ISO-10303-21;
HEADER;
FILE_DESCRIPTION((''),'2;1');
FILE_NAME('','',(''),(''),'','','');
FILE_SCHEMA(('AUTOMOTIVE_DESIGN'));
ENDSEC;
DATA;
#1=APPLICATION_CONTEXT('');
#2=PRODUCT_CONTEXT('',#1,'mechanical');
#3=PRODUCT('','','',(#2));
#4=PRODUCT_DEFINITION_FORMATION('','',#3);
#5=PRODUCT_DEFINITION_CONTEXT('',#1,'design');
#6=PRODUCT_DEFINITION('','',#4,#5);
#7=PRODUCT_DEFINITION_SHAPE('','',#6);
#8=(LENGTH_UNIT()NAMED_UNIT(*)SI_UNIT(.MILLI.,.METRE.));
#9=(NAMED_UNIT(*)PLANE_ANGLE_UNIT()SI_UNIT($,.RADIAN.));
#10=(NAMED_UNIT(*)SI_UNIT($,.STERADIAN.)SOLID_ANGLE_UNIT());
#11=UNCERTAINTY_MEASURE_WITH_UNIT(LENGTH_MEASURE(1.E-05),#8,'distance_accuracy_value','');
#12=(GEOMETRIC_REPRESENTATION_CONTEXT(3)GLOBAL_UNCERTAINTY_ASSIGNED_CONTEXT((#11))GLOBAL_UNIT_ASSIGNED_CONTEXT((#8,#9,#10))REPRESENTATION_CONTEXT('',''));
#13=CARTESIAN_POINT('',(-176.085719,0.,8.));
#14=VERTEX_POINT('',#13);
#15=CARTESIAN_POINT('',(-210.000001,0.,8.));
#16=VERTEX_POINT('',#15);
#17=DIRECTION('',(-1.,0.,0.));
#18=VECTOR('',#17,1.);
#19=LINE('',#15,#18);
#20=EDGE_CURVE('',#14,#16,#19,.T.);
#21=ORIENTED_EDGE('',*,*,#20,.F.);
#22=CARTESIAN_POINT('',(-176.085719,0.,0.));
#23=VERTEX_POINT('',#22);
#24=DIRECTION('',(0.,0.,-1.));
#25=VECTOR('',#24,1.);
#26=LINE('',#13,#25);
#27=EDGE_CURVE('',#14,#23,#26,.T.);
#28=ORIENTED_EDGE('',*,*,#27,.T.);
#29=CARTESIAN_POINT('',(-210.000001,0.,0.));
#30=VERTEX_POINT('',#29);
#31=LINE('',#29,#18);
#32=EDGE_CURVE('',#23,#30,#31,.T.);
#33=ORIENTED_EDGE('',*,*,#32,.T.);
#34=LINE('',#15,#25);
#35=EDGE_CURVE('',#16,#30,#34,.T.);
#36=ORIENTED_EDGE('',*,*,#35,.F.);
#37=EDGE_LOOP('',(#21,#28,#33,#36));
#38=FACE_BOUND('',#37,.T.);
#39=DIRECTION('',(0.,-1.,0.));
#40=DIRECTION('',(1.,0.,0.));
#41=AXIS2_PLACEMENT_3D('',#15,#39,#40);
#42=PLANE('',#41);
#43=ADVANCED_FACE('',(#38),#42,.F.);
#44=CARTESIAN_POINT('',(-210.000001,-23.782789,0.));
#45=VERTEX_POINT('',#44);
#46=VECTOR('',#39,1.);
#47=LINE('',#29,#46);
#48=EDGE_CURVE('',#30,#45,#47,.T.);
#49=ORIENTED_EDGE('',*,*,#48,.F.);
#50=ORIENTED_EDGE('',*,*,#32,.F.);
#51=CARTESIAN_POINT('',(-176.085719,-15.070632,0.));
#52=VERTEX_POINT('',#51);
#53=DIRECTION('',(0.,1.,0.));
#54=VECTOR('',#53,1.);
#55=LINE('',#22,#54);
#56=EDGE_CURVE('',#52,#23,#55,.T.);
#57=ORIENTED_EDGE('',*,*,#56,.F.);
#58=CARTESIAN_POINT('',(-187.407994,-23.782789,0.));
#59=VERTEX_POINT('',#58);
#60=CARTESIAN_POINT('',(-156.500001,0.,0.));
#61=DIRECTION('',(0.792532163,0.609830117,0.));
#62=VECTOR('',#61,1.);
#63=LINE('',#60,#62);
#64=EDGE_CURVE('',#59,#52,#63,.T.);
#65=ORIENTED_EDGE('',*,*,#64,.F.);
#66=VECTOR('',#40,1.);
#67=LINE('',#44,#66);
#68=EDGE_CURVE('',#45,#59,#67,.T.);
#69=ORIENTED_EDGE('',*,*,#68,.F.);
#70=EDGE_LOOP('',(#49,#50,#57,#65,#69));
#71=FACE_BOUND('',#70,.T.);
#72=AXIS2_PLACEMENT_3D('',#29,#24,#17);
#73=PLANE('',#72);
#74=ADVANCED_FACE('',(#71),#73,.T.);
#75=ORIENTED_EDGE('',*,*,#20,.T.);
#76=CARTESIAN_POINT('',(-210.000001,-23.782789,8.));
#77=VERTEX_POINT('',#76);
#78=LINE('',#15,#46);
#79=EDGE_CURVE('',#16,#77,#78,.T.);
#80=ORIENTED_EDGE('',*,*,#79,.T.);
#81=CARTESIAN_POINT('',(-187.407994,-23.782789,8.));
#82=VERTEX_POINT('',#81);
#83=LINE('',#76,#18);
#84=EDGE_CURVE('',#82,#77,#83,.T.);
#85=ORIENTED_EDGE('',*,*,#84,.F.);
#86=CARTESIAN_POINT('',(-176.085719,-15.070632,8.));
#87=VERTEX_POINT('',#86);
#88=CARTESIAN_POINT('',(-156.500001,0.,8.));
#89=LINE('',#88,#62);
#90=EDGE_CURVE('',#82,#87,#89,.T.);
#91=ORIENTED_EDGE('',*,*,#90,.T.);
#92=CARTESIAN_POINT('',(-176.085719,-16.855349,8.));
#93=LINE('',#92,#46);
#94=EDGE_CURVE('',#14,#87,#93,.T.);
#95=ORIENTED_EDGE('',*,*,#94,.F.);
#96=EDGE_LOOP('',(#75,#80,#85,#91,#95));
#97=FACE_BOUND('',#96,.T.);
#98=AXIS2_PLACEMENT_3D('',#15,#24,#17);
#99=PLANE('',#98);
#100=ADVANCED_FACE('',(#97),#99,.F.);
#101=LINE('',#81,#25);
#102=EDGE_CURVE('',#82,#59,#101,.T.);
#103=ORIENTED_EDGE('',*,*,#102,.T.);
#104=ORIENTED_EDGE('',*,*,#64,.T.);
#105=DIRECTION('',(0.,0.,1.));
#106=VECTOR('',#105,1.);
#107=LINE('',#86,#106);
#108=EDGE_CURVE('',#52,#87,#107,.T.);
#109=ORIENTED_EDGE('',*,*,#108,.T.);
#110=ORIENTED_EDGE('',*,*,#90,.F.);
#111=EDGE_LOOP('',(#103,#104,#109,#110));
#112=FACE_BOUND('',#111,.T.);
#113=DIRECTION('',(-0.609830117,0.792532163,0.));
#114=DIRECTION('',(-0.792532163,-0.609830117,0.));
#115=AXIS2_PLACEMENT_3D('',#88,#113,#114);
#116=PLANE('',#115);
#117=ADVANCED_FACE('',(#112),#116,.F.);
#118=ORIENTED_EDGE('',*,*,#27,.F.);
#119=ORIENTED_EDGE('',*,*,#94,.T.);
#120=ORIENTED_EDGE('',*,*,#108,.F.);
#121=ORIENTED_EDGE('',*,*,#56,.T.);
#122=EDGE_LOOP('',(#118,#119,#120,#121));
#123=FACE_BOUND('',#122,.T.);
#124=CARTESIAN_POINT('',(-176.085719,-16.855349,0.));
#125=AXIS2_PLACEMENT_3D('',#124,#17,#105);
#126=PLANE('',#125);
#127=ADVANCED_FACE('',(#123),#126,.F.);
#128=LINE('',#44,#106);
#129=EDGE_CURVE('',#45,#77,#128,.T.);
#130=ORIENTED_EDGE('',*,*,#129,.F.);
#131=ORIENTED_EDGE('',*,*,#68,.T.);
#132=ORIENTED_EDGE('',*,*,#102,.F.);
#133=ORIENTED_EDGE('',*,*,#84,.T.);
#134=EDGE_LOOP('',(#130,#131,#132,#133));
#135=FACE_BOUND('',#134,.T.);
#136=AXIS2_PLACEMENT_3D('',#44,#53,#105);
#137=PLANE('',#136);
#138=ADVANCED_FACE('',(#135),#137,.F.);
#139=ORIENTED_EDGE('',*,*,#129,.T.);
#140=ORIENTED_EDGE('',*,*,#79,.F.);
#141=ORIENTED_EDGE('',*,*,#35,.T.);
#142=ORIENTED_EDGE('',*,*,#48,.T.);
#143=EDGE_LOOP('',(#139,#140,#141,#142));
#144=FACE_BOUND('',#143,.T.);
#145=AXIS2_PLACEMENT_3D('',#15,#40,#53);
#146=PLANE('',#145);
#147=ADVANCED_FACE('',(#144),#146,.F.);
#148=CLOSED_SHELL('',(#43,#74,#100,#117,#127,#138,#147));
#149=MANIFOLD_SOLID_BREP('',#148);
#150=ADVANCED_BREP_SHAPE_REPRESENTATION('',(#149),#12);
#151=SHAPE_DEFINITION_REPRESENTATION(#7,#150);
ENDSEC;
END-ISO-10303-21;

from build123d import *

# Parameters (mm, degrees)
EXTRUDE_1_DEPTH     = 8
SKETCH_2_W          = 25.296907813
SKETCH_2_H          = 21.985442263
SKETCH_2_W_2        = 19.585718922
SKETCH_2_H_2        = 21.456908972
CUT_EXTRUDE_1_DEPTH = 215.146433821


with BuildPart() as part:
    # Эскиз1 → Вытянуть1 (new body)
    with BuildSketch(Plane.XY):
        Polygon((-210.000000639, 0), (-210.000000639, -41.166671594), (-156.500000575, 0), align=None)
    extrude(amount=EXTRUDE_1_DEPTH)

    # Эскиз2 → Вырез-Вытянуть1 (cut, through all)
    with BuildSketch(Plane.XY.offset(8)):
        with Locations((-197.351546733, -34.775510048)):
            Rectangle(SKETCH_2_W, SKETCH_2_H)
        with Locations((-166.292859318, -6.126894901)):
            Rectangle(SKETCH_2_W_2, SKETCH_2_H_2)
    extrude(amount=-CUT_EXTRUDE_1_DEPTH, mode=Mode.SUBTRACT)


solid = part.part
